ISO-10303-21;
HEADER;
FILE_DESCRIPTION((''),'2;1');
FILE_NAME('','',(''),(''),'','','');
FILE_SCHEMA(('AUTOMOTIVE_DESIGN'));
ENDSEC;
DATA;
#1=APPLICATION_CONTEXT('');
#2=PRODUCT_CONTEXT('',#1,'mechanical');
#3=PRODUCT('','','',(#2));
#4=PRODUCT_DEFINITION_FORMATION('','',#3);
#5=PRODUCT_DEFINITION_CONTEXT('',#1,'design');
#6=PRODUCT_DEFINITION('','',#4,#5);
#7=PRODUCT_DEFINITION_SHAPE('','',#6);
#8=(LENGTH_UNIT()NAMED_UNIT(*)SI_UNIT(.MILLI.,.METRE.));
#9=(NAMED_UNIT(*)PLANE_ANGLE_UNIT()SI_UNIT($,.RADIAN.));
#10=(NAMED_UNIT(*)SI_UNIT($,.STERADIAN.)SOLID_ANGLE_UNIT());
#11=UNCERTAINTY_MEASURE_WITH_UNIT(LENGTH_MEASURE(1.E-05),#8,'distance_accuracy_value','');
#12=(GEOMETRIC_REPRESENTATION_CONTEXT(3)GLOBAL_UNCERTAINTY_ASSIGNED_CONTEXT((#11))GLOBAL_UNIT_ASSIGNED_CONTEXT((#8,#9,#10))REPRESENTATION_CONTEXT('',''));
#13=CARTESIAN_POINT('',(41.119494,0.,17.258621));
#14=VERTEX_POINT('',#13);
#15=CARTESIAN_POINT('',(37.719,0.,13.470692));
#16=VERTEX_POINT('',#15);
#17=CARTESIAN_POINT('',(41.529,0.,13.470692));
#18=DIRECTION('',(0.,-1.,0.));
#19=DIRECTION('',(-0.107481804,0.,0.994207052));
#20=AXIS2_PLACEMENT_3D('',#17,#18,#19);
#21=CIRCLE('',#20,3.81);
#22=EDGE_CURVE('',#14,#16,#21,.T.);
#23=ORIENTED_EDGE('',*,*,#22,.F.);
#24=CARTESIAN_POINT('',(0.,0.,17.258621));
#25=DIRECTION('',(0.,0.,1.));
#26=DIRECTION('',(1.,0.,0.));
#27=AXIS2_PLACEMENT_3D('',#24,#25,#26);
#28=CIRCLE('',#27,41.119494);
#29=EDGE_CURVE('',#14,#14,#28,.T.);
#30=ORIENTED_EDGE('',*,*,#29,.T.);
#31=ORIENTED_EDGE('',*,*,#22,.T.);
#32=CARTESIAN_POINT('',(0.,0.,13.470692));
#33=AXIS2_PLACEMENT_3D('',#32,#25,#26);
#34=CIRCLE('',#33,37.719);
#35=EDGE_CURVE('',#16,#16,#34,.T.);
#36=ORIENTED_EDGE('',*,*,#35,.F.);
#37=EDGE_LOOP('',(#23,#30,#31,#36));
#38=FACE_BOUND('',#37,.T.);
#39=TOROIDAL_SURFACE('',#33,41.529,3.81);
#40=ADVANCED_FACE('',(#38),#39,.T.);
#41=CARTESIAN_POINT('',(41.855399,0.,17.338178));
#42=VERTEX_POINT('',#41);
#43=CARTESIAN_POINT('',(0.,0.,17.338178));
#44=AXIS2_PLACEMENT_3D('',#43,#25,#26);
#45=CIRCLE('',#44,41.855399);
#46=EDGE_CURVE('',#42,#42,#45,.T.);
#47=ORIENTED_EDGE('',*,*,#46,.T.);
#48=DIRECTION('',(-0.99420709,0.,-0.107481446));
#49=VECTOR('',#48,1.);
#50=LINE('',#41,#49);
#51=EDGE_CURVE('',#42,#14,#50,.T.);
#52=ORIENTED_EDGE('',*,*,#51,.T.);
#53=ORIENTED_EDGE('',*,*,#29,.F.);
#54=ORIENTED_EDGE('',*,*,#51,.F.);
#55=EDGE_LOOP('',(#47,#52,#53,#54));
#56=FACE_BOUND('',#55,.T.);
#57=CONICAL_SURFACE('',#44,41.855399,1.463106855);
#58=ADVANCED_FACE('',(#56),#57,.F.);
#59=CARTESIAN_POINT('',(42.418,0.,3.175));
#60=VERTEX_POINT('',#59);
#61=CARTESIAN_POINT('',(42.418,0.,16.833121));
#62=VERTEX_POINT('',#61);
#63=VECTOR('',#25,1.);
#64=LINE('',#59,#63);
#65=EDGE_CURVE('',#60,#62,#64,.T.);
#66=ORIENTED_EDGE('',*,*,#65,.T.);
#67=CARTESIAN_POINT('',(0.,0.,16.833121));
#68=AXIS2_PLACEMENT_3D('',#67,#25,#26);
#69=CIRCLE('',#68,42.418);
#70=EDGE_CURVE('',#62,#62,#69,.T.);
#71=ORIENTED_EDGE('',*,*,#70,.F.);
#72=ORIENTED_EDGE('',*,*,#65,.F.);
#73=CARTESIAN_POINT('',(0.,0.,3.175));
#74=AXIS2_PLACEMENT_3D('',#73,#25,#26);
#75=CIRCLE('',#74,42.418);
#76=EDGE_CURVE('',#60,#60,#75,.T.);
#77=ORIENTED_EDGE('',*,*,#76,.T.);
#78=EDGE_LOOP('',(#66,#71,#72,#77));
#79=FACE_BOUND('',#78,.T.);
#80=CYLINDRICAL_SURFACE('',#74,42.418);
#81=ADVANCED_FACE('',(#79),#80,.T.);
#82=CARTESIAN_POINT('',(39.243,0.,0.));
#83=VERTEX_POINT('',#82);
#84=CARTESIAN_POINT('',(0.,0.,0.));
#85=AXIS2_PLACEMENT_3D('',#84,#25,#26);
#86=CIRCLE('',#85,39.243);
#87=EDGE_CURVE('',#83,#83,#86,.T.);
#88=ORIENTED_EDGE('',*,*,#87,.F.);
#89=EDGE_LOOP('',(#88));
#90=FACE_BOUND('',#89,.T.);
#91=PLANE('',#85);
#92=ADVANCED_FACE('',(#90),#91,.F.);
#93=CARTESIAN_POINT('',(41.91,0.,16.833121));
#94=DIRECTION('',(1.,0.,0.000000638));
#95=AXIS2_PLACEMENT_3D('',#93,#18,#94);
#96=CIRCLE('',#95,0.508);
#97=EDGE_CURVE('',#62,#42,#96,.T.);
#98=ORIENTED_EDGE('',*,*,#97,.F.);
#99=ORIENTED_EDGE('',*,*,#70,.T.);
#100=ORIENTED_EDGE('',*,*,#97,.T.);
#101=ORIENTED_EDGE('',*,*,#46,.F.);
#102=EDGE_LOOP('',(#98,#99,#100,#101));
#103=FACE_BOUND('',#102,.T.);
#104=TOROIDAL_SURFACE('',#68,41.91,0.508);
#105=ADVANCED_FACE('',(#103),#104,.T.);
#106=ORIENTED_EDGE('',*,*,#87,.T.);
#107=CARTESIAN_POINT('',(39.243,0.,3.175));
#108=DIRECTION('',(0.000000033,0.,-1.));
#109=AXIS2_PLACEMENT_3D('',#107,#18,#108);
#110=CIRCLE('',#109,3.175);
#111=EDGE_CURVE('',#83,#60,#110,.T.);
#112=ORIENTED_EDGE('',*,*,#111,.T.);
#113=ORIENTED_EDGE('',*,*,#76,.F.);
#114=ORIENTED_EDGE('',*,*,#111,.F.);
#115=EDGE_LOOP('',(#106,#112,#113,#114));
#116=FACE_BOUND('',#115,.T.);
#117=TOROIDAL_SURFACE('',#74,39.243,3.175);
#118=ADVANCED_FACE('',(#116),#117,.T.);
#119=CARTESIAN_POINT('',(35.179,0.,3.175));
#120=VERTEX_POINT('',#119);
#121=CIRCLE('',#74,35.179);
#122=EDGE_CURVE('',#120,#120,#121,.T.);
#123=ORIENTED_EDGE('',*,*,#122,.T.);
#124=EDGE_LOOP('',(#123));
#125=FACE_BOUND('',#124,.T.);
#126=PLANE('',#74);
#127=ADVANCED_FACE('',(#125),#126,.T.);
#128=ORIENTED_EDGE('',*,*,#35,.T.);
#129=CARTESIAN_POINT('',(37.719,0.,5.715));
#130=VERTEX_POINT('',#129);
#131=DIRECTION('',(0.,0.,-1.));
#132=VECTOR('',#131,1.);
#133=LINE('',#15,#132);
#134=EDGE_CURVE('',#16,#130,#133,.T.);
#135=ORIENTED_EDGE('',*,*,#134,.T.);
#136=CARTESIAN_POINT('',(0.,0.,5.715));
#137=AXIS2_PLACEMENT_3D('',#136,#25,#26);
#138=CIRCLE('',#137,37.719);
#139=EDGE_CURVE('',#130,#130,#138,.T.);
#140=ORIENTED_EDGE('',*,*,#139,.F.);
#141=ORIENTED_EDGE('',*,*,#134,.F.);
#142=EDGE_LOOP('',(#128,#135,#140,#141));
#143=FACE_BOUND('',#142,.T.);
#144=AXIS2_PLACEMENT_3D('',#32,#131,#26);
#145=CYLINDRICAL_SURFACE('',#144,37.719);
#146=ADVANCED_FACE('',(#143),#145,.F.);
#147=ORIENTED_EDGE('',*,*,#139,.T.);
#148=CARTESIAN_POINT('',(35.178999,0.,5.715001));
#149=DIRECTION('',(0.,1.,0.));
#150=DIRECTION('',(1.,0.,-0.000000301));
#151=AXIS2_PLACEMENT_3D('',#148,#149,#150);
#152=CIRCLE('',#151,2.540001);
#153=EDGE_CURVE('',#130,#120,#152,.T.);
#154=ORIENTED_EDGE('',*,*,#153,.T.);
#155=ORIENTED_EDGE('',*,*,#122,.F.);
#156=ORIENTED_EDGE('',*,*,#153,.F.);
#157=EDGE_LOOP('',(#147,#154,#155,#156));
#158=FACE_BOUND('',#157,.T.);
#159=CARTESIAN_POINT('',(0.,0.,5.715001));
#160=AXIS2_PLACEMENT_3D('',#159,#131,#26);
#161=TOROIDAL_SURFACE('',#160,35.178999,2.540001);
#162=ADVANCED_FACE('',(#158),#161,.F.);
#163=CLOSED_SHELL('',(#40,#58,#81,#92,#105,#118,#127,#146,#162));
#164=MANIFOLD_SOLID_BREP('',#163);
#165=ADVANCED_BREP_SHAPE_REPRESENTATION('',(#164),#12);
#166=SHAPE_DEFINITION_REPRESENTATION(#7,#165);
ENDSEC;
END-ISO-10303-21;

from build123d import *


with BuildPart() as f1:
    # F0 (on Front) → F1 (revolve)
    with BuildSketch(Plane.XZ):
        with BuildLine():
            Line((0, 3.175), (0, 0))
            Line((0, 0), (39.243, 0))
            ThreePointArc((39.243, 0), (41.488064, 0.929936), (42.418, 3.175))
            Line((42.418, 3.175), (42.418, 16.833121))
            ThreePointArc((42.418, 16.833121), (42.249357, 17.211143), (41.855399, 17.338178))
            Line((41.855399, 17.338178), (41.119494, 17.258621))
            ThreePointArc((41.119494, 17.258621), (38.693835, 16.015872), (37.719, 13.470692))
            Line((37.719, 13.470692), (37.719, 5.715))
            ThreePointArc((37.719, 5.715), (36.975051, 3.918949), (35.179, 3.175))
            Line((35.179, 3.175), (0, 3.175))
        make_face()
    revolve(axis=Axis((0, 0, 1.5875), (0, 0, 1)))


solid = f1.part
